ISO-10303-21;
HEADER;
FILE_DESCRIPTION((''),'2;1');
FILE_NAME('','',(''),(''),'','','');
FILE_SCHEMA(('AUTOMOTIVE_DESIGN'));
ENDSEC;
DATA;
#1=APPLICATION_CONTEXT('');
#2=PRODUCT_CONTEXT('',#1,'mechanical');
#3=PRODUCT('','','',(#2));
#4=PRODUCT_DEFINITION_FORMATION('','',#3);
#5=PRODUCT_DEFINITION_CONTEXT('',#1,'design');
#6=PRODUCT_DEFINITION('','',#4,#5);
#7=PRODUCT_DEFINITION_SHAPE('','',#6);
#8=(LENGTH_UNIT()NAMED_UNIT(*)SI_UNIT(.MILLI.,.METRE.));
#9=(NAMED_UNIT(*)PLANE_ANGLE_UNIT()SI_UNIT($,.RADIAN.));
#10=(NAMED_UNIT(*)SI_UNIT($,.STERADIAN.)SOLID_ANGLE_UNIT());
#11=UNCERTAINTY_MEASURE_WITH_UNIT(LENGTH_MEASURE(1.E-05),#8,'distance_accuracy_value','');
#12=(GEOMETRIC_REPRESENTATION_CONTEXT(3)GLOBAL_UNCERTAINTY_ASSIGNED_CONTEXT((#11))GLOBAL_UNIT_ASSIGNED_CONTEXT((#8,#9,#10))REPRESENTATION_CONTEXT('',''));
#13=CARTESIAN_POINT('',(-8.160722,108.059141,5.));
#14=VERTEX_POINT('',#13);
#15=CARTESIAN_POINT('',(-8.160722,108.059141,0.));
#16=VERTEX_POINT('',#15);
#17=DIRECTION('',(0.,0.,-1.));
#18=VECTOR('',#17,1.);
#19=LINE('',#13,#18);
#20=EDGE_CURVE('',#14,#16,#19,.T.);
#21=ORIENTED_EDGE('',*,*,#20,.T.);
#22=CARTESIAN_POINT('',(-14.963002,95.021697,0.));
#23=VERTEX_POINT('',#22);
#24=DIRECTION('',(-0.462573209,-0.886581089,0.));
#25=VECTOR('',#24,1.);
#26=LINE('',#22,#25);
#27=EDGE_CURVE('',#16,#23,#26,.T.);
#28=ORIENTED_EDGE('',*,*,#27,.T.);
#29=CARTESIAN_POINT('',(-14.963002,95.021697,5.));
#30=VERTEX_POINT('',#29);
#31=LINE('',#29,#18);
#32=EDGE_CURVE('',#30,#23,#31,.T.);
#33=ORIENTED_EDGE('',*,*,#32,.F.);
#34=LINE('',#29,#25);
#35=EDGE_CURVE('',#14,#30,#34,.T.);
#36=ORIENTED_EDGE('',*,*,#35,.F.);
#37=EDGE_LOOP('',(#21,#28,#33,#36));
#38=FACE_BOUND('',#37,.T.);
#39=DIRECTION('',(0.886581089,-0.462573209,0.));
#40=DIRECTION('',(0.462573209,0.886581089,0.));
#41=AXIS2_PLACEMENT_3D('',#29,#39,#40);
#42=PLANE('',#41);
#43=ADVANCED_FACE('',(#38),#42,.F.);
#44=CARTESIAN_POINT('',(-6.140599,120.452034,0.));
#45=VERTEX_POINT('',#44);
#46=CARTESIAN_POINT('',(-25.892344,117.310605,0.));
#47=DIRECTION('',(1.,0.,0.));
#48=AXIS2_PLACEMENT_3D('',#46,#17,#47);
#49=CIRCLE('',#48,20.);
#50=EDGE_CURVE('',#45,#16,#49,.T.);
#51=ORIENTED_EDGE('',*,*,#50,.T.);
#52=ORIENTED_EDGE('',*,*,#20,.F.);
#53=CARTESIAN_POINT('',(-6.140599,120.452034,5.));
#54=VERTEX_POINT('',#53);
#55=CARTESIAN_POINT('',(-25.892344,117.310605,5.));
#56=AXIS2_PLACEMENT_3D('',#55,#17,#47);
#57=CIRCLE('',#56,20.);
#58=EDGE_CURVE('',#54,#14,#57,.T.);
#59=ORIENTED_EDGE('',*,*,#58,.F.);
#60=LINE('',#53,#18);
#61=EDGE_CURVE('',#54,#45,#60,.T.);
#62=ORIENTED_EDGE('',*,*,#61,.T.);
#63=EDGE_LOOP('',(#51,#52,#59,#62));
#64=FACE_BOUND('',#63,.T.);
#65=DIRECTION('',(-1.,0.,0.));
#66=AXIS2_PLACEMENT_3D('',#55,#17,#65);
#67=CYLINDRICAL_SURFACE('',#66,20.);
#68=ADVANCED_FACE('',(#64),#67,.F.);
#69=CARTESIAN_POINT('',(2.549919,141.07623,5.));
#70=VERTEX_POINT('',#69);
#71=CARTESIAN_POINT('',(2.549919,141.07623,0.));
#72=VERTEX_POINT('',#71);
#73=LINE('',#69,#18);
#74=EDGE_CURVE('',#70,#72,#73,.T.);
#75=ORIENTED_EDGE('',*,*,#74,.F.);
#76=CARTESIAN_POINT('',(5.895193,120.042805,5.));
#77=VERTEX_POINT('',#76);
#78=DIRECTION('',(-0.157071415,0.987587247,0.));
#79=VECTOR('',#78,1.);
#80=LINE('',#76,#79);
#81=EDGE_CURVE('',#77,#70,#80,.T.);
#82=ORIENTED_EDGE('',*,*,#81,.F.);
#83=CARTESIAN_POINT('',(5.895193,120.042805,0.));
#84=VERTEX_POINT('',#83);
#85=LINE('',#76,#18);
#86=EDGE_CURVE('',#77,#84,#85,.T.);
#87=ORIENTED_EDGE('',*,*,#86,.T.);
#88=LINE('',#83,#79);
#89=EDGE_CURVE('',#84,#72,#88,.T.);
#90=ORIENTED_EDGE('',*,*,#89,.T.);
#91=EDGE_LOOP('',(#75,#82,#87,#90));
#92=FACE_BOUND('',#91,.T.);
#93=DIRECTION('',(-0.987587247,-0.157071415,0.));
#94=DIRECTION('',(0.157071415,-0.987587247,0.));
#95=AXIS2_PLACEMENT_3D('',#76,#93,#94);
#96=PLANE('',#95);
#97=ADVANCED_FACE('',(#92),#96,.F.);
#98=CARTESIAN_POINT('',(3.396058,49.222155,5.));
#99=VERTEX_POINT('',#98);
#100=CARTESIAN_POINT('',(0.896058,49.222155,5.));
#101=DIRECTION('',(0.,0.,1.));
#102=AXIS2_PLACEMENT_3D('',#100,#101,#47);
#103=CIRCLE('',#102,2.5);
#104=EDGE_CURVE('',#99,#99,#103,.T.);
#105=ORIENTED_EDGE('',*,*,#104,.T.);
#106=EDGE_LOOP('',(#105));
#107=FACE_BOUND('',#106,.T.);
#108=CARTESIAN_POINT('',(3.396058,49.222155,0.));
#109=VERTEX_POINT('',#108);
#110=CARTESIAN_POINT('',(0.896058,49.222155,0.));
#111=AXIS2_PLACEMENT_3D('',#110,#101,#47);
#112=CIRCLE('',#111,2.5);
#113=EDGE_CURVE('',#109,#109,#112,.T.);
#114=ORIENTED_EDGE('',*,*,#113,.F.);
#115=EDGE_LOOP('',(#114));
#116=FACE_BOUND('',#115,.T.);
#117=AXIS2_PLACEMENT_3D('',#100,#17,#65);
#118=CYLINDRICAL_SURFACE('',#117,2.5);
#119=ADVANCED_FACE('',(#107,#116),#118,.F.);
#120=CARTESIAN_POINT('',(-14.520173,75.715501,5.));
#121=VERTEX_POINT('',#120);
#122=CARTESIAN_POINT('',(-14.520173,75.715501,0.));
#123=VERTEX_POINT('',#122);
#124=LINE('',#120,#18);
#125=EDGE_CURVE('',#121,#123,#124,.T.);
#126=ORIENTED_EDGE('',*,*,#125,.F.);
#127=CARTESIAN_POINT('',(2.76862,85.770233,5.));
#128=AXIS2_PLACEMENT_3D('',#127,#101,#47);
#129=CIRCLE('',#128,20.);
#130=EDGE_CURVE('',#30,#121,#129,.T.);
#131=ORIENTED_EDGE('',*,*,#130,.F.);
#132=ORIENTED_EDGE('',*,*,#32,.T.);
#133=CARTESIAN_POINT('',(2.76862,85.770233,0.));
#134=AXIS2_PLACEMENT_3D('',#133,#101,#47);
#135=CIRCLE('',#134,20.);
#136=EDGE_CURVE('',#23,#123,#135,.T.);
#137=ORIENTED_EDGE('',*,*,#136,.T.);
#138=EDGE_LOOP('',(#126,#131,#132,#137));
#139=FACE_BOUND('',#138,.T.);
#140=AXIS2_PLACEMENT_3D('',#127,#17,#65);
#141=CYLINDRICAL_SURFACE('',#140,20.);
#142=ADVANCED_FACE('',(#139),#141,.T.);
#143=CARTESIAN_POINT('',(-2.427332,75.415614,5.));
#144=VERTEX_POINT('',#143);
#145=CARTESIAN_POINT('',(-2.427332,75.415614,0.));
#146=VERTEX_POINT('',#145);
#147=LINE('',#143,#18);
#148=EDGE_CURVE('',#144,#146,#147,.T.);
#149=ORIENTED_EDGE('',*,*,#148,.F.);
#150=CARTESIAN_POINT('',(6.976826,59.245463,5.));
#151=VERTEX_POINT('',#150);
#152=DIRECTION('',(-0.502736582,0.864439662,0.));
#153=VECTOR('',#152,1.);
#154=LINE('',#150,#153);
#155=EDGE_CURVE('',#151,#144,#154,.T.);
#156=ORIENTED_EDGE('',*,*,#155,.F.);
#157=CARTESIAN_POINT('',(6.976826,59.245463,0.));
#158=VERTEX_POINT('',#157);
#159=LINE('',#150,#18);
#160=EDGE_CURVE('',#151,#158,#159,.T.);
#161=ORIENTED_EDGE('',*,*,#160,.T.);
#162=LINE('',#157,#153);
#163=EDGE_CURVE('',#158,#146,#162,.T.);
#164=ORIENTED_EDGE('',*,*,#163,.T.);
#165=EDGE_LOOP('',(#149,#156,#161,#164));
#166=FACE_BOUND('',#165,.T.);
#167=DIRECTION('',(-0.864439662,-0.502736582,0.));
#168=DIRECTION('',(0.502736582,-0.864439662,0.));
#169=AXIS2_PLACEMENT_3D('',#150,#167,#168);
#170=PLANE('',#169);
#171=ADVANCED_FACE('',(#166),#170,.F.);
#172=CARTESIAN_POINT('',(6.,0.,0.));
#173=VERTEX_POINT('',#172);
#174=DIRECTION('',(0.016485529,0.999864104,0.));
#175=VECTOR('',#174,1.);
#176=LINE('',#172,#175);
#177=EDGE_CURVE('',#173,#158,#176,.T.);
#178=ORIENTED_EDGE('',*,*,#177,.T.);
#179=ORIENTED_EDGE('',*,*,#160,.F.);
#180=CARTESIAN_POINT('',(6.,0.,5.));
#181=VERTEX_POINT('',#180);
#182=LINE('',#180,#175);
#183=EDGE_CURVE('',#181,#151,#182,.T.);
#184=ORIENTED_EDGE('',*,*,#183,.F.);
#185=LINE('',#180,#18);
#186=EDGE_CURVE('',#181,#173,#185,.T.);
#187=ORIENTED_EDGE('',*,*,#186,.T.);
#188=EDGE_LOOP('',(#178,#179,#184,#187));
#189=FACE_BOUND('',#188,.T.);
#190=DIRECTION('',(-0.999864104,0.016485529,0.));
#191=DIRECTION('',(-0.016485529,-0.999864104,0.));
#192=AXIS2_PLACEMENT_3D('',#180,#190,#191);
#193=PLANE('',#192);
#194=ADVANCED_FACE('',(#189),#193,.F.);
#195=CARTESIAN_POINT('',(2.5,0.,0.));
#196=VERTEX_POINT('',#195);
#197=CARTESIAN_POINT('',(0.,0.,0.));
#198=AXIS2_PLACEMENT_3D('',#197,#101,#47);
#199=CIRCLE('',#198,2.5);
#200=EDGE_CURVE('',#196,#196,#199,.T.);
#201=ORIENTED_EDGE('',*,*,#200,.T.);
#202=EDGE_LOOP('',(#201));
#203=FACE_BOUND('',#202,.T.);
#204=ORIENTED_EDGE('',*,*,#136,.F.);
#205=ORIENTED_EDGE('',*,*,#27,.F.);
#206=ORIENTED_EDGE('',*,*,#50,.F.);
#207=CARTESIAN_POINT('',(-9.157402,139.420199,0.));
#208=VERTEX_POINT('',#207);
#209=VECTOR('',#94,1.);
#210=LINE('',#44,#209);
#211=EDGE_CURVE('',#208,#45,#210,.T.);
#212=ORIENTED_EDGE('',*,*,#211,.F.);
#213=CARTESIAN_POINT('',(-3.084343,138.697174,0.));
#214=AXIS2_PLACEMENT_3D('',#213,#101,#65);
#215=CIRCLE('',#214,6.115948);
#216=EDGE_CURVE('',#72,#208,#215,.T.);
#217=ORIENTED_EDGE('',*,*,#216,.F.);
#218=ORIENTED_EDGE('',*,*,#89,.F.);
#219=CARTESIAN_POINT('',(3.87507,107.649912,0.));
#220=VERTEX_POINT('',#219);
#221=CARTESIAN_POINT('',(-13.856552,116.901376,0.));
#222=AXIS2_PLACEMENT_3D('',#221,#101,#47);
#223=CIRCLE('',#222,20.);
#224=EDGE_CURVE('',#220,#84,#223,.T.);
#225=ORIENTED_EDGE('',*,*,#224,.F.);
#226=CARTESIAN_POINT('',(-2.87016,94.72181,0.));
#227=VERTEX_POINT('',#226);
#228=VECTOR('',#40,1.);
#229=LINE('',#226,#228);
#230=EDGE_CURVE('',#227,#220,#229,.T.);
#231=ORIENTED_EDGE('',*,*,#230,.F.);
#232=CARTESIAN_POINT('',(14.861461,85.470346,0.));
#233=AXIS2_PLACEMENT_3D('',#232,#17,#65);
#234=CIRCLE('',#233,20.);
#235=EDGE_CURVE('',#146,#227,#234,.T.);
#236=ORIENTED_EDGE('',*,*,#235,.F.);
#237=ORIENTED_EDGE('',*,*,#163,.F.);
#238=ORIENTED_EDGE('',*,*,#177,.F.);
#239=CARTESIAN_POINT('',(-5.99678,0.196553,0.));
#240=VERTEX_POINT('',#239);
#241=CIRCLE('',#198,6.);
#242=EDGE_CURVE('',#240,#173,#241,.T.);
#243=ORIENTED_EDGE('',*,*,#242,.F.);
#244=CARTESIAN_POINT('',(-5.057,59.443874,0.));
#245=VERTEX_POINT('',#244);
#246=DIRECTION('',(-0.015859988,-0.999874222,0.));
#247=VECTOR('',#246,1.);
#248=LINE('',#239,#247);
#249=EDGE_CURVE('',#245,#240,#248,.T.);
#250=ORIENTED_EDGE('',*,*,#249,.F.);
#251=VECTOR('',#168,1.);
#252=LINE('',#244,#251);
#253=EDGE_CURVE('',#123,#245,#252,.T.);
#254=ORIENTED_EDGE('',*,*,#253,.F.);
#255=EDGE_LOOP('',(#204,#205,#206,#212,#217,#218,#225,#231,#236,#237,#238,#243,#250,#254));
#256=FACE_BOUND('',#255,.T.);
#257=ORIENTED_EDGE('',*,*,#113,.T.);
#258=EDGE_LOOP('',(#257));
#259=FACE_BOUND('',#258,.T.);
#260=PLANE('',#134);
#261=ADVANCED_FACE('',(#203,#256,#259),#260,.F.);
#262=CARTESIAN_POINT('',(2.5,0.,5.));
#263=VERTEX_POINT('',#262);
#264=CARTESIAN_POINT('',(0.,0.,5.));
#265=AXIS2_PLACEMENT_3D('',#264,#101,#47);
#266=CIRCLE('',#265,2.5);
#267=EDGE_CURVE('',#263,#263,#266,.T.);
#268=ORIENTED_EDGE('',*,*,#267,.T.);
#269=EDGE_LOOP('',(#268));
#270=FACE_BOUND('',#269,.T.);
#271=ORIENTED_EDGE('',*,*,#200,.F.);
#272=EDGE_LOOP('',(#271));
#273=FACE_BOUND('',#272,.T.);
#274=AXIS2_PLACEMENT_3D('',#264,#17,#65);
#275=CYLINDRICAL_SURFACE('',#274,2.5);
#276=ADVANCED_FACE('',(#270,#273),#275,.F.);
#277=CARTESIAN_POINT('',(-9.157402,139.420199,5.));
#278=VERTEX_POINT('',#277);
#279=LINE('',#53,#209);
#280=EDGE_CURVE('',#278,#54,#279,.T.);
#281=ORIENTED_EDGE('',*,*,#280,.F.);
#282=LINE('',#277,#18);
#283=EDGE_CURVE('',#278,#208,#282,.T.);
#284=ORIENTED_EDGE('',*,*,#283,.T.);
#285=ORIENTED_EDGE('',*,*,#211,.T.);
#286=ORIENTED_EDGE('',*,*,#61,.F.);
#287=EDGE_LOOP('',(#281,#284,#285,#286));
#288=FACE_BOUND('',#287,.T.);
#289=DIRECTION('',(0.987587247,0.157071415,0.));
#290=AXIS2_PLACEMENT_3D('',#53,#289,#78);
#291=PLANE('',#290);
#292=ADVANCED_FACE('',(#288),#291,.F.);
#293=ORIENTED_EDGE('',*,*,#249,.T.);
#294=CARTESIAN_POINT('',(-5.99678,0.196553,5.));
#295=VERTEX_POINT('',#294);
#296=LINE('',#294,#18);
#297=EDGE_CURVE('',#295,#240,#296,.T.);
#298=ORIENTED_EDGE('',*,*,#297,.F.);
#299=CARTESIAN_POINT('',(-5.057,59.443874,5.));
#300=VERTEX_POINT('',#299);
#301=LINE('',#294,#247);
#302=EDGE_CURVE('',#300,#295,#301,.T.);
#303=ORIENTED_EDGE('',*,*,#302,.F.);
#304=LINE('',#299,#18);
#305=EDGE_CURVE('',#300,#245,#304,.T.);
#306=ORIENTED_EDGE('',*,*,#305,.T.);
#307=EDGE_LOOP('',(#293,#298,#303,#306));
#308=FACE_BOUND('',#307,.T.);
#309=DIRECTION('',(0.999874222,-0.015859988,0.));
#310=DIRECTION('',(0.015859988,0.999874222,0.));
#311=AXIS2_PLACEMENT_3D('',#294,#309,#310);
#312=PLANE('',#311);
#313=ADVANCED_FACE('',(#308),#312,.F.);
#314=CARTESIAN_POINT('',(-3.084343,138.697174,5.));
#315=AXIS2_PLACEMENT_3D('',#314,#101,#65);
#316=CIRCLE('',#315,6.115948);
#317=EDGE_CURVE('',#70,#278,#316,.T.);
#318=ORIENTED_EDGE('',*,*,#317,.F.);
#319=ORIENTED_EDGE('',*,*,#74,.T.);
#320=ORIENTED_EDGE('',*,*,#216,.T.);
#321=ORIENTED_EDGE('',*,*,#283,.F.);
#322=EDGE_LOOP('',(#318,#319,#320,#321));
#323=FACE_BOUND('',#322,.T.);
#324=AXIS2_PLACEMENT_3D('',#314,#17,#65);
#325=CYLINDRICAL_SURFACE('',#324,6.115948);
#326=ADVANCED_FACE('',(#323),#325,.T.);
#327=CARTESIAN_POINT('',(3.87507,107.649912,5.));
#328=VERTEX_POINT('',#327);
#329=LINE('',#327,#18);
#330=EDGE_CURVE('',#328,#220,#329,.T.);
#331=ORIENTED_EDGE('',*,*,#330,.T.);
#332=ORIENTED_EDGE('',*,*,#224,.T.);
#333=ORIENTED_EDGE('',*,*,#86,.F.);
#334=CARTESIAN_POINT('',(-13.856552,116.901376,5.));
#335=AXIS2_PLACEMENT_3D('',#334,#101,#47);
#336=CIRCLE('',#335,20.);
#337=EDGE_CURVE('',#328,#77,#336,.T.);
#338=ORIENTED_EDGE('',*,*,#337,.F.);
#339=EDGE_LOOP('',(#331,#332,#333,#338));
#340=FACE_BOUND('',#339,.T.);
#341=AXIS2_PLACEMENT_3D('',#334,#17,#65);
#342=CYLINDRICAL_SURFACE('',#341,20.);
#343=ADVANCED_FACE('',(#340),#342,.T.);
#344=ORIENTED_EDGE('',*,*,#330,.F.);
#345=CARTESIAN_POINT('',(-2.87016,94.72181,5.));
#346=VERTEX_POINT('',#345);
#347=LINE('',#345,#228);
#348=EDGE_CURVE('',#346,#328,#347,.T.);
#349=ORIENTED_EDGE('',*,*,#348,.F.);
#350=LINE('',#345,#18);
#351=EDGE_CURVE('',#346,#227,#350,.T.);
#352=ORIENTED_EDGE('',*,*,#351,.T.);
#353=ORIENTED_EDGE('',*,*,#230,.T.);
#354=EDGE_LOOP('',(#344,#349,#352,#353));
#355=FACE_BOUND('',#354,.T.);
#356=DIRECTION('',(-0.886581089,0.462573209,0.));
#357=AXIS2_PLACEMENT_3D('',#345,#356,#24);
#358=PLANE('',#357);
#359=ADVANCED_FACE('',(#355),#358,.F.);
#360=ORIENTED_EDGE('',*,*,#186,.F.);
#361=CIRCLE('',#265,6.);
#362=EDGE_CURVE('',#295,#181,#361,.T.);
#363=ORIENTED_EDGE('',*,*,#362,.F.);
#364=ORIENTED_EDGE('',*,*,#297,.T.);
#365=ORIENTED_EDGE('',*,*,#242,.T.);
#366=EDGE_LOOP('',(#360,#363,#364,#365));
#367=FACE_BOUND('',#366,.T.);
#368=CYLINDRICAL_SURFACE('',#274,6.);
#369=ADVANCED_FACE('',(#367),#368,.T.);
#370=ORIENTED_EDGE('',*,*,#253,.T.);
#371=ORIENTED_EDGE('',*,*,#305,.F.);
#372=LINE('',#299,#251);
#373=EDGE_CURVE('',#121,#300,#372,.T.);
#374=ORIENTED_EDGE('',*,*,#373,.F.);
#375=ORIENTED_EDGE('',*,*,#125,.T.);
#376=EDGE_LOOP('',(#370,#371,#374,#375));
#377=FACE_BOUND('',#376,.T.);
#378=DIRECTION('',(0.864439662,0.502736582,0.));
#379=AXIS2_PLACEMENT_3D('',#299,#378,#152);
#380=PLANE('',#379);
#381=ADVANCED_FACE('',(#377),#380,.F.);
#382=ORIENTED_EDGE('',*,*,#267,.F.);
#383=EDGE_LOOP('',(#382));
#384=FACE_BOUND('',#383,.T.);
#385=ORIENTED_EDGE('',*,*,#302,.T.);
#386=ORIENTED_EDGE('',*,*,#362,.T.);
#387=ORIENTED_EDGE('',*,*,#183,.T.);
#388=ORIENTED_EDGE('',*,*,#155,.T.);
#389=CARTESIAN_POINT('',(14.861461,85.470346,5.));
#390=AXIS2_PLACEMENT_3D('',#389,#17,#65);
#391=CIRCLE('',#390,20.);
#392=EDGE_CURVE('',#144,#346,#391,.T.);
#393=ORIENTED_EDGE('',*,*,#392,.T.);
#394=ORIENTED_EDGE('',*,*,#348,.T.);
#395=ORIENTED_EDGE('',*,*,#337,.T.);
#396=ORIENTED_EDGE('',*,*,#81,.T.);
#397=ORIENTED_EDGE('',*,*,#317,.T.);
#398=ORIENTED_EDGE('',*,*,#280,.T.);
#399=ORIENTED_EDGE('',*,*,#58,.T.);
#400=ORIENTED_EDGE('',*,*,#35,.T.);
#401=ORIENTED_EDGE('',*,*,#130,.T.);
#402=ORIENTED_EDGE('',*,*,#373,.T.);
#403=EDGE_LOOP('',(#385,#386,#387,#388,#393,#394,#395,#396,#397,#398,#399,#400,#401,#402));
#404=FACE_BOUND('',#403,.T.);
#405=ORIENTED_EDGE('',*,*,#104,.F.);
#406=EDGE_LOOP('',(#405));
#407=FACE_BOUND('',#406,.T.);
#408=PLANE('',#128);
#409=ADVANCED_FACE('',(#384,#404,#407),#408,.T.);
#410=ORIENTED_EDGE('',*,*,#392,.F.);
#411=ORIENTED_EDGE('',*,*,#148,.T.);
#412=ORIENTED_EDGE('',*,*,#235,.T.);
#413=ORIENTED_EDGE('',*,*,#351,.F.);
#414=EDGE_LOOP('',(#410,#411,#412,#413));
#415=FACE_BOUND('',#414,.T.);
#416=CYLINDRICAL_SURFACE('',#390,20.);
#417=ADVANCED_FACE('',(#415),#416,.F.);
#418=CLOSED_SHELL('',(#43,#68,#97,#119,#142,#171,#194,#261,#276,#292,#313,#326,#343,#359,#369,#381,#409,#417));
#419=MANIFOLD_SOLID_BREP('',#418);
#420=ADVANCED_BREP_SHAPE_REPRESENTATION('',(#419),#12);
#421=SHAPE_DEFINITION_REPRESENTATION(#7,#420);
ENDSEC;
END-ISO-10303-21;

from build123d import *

# Parameters (mm, degrees)
SKETCH_1_R      = 2.5
EXTRUDE_1_DEPTH = 5


with BuildPart() as part:
    # Эскиз1 → Вытянуть1 (new body)
    with BuildSketch(Plane.XY):
        with BuildLine():
            Line((-5.996779713, 0.196552972), (-5.056999721, 59.443873761))
            Line((-5.056999721, 59.443873761), (-14.520173102, 75.715501286))
            ThreePointArc((-14.520173102, 75.715501286), (-17.226120819, 85.311611147), (-14.963001631, 95.021697091))
            Line((-14.963001631, 95.021697091), (-8.160722176, 108.059141137))
            ThreePointArc((-8.160722176, 108.059141137), (-6.152874831, 114.092941719), (-6.140599008, 120.452033615))
            Line((-6.140599008, 120.452033615), (-9.157402478, 139.420199329))
            ThreePointArc((-9.157402478, 139.420199329), (-3.940932329, 144.75283841), (2.549919095, 141.076230168))
            Line((2.549919095, 141.076230168), (5.89519306, 120.042804706))
            ThreePointArc((5.89519306, 120.042804706), (5.882917236, 113.68371281), (3.875069891, 107.649912228))
            Line((3.875069891, 107.649912228), (-2.87016044, 94.721810171))
            ThreePointArc((-2.87016044, 94.721810171), (-5.133279628, 85.011724227), (-2.42733191, 75.415614366))
            Line((-2.42733191, 75.415614366), (6.976825569, 59.245462816))
            Line((6.976825569, 59.245462816), (6, 0))
            ThreePointArc((6, 0), (-0.098289675, -5.999194874), (-5.996779713, 0.196552972))
        make_face()
        Circle(SKETCH_1_R, mode=Mode.SUBTRACT)
        with Locations((0.896058218, 49.222155117)):
            Circle(SKETCH_1_R, mode=Mode.SUBTRACT)
    extrude(amount=EXTRUDE_1_DEPTH)


solid = part.part
